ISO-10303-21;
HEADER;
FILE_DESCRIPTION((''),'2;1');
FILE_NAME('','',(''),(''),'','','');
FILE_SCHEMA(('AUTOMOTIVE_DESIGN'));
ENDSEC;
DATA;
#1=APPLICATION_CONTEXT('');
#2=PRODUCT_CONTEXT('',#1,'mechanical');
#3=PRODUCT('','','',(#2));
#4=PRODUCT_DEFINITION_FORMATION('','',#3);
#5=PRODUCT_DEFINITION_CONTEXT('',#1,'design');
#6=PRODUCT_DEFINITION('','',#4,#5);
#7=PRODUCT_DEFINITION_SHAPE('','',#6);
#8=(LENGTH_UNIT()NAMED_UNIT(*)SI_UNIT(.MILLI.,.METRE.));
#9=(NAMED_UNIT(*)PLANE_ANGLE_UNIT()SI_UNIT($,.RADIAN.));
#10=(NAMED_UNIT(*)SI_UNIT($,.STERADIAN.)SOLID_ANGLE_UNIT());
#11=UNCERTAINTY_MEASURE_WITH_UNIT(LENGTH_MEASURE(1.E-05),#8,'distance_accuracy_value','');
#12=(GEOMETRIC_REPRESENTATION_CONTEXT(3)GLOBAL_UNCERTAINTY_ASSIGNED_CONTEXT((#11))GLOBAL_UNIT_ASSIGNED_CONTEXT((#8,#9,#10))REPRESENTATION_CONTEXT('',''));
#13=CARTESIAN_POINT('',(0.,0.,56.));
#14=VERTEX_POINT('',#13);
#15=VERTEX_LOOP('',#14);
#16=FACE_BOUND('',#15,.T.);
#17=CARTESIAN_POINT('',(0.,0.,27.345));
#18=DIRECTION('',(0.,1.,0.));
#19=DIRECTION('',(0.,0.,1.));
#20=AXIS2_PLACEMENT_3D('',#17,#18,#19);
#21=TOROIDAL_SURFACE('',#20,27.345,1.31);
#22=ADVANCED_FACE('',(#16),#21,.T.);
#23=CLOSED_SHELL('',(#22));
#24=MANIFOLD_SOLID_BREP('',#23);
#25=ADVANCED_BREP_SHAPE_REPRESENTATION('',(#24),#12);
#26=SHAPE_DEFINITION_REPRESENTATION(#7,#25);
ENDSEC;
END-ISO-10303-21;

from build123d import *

# Parameters (mm, degrees)
CROQUIS1_R = 1.31


with BuildPart() as part:
    # Croquis1 → Revolución1 (revolve)
    with BuildSketch(Plane(origin=(0, 0, 0), x_dir=(0, 0, -1), z_dir=(1, 0, 0))):
        Circle(CROQUIS1_R)
    revolve(axis=Axis((0, 6.361439394, 27.345), (0, -1, 0)))


solid = part.part
